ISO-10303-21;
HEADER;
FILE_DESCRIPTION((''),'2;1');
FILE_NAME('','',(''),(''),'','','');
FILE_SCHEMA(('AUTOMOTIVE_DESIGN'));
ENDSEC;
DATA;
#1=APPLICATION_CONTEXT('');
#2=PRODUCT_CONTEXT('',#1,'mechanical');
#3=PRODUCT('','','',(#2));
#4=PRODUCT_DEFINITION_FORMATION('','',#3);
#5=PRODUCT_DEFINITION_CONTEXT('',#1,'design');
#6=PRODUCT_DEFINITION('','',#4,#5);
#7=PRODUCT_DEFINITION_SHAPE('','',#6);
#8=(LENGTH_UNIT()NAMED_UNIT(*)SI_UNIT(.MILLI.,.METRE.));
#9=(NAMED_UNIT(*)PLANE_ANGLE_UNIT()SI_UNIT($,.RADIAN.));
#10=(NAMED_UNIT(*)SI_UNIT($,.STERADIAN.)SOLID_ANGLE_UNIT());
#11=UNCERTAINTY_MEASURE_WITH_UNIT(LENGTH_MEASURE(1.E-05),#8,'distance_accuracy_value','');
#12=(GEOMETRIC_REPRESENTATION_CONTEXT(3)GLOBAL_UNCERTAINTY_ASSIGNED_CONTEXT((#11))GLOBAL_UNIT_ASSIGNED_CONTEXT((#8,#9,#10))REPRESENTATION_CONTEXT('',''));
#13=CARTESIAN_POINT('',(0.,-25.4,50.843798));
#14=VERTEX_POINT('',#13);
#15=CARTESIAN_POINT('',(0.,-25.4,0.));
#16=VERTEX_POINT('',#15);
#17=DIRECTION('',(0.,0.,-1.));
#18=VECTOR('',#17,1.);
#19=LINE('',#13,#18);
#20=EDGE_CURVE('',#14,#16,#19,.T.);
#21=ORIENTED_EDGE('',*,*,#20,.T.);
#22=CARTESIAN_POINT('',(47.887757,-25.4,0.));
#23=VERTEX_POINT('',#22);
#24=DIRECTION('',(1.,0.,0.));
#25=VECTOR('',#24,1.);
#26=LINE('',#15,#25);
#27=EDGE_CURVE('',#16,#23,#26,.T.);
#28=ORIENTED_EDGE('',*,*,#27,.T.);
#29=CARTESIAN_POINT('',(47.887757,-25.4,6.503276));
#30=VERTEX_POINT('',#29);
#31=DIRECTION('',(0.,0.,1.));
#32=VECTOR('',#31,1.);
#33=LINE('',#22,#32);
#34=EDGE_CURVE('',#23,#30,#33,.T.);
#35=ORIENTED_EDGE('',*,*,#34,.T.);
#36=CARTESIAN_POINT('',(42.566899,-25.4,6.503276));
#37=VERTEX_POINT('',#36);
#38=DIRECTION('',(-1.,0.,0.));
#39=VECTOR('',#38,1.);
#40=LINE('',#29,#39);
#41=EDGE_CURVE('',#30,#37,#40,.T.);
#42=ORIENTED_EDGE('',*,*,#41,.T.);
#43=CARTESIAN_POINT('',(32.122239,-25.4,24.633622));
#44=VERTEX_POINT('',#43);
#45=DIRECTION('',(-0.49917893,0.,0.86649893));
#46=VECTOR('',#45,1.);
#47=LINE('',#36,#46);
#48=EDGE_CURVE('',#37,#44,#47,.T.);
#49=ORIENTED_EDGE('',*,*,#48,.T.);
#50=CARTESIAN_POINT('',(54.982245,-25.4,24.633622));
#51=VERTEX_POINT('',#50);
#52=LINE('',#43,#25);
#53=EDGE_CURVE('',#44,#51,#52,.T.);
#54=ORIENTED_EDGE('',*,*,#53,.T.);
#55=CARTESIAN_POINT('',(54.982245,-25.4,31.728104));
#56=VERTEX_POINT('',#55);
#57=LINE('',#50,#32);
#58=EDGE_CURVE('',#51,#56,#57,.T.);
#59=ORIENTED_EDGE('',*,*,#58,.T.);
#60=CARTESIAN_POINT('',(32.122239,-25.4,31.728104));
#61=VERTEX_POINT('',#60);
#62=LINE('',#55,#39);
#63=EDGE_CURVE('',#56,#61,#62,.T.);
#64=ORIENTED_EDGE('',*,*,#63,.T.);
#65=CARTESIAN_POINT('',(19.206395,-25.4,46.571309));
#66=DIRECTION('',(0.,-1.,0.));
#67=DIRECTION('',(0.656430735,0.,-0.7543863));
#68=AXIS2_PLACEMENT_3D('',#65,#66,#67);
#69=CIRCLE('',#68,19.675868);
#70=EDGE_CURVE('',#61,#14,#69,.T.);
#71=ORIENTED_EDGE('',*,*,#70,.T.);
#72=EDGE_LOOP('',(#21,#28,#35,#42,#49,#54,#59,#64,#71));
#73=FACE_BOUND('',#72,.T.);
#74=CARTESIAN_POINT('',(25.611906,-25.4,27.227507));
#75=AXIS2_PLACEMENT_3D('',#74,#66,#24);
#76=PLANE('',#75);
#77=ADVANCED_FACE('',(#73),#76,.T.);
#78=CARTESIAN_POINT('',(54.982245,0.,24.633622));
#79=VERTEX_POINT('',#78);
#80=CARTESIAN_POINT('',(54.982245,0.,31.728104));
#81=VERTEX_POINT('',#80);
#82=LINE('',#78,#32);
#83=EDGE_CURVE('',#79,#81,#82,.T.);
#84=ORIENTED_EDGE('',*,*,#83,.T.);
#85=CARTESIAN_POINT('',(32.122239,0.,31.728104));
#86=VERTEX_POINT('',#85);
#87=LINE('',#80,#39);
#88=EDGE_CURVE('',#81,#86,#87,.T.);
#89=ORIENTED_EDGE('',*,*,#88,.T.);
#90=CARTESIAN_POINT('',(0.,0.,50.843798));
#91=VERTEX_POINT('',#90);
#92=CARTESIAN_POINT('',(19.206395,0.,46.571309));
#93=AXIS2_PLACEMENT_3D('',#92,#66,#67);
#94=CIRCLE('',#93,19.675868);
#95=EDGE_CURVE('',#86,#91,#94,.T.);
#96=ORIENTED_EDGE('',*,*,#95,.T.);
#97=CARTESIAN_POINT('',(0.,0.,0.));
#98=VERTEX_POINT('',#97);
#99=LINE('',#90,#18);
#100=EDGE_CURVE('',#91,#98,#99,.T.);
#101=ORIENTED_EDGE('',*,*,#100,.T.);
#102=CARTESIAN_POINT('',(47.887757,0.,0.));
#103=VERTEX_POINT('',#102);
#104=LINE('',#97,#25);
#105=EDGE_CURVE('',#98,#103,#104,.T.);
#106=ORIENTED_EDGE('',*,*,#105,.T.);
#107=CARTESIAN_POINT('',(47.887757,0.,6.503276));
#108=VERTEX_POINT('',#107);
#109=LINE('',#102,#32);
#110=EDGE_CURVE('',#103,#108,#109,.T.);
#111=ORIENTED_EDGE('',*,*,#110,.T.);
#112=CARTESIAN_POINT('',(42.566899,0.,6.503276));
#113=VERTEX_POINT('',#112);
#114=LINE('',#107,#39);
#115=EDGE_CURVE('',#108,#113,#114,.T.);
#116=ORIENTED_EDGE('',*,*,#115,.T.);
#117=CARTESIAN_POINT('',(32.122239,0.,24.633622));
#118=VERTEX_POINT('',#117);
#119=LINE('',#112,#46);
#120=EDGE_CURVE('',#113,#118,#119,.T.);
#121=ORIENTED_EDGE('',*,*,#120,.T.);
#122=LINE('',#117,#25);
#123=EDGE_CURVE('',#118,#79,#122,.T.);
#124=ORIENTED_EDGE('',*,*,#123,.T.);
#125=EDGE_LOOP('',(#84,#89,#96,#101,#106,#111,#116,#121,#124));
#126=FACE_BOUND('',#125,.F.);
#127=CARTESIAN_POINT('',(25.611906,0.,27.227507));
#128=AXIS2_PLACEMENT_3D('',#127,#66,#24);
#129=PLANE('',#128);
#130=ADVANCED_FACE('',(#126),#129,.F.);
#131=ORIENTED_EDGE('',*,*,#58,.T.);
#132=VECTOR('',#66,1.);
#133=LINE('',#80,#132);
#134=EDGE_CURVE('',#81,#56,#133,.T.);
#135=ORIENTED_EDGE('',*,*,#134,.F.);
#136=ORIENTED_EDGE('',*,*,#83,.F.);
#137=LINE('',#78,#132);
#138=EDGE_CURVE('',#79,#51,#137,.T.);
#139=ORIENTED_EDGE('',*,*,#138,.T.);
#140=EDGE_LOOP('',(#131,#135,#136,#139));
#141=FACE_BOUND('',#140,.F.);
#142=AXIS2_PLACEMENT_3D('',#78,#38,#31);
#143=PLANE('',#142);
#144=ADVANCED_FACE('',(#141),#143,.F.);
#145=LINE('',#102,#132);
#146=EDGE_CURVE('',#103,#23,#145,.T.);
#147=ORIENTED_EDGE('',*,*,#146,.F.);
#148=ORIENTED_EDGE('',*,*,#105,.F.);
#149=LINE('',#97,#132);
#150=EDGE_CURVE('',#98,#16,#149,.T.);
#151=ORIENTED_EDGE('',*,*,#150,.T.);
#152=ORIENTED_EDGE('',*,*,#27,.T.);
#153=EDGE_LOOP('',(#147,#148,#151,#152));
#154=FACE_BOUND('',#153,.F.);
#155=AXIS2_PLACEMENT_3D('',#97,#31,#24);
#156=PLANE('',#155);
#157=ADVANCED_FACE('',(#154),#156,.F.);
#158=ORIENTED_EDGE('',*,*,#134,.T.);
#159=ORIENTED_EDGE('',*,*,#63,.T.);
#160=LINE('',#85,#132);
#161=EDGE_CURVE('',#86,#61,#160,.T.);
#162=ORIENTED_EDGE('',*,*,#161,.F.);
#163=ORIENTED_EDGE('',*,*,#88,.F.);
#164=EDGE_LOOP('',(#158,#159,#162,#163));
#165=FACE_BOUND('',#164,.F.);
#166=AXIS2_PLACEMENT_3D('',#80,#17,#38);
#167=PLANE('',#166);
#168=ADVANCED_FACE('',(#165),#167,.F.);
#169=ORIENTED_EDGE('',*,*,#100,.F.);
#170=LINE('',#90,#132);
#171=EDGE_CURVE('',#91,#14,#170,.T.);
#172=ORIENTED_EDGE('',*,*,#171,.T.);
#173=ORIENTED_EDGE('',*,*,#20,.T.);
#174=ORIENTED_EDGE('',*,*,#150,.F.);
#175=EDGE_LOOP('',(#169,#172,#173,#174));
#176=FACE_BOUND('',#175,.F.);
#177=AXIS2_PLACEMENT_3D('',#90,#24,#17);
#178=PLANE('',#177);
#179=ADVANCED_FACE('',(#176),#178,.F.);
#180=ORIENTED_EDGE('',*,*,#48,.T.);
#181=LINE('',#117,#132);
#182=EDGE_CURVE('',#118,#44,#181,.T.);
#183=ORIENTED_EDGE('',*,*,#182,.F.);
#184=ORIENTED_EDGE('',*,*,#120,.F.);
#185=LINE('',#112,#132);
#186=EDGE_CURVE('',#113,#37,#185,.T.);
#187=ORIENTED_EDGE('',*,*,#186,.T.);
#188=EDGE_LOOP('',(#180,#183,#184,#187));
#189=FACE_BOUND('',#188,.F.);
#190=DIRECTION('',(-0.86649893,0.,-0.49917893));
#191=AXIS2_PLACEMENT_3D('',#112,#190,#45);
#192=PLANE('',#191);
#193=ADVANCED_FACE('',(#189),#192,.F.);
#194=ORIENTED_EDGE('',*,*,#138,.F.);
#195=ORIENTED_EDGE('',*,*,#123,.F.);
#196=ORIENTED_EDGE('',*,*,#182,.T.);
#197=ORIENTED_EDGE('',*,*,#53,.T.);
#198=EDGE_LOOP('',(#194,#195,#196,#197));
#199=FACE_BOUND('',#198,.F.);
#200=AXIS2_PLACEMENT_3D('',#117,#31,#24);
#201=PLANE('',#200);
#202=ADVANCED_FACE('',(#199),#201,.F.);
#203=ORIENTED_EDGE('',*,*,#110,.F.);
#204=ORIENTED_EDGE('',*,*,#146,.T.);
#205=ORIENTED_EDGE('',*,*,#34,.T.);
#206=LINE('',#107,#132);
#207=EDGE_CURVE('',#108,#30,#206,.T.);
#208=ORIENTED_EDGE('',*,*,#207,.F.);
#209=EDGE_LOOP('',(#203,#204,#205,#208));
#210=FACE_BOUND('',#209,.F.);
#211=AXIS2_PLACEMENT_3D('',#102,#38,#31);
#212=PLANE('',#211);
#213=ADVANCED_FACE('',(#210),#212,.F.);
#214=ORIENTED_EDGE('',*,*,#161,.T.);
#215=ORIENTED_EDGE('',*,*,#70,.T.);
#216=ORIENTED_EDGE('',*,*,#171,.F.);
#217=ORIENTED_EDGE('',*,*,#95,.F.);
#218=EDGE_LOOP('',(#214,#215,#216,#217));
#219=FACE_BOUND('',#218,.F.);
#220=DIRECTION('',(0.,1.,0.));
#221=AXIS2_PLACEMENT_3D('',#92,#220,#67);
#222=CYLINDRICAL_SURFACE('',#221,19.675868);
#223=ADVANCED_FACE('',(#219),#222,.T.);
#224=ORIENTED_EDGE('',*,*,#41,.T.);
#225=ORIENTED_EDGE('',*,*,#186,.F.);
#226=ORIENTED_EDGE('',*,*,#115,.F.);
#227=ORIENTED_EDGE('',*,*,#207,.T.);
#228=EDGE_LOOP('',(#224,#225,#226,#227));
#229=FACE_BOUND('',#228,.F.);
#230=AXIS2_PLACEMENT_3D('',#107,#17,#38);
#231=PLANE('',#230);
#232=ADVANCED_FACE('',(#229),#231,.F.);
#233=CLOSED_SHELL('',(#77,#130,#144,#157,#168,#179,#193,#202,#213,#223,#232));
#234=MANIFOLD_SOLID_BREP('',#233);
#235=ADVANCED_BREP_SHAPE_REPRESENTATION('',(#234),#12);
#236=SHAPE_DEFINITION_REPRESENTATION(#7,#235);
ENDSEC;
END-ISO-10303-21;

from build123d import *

# Parameters (mm, degrees)
F1_DEPTH = 25.4


with BuildPart() as f1:
    # F0 (on Front) → F1 (new body)
    with BuildSketch(Plane.XZ):
        with BuildLine():
            Line((0, 50.843798), (0, 0))
            Line((0, 0), (47.887757, 0))
            Line((47.887757, 0), (47.887757, 6.503276))
            Line((47.887757, 6.503276), (42.566899, 6.503276))
            Line((42.566899, 6.503276), (32.122239, 24.633622))
            Line((32.122239, 24.633622), (54.982245, 24.633622))
            Line((54.982245, 24.633622), (54.982245, 31.728104))
            Line((54.982245, 31.728104), (32.122239, 31.728104))
            ThreePointArc((32.122239, 31.728104), (29.268462, 63.479726), (0, 50.843798))
        make_face()
    extrude(amount=F1_DEPTH)


solid = f1.part
